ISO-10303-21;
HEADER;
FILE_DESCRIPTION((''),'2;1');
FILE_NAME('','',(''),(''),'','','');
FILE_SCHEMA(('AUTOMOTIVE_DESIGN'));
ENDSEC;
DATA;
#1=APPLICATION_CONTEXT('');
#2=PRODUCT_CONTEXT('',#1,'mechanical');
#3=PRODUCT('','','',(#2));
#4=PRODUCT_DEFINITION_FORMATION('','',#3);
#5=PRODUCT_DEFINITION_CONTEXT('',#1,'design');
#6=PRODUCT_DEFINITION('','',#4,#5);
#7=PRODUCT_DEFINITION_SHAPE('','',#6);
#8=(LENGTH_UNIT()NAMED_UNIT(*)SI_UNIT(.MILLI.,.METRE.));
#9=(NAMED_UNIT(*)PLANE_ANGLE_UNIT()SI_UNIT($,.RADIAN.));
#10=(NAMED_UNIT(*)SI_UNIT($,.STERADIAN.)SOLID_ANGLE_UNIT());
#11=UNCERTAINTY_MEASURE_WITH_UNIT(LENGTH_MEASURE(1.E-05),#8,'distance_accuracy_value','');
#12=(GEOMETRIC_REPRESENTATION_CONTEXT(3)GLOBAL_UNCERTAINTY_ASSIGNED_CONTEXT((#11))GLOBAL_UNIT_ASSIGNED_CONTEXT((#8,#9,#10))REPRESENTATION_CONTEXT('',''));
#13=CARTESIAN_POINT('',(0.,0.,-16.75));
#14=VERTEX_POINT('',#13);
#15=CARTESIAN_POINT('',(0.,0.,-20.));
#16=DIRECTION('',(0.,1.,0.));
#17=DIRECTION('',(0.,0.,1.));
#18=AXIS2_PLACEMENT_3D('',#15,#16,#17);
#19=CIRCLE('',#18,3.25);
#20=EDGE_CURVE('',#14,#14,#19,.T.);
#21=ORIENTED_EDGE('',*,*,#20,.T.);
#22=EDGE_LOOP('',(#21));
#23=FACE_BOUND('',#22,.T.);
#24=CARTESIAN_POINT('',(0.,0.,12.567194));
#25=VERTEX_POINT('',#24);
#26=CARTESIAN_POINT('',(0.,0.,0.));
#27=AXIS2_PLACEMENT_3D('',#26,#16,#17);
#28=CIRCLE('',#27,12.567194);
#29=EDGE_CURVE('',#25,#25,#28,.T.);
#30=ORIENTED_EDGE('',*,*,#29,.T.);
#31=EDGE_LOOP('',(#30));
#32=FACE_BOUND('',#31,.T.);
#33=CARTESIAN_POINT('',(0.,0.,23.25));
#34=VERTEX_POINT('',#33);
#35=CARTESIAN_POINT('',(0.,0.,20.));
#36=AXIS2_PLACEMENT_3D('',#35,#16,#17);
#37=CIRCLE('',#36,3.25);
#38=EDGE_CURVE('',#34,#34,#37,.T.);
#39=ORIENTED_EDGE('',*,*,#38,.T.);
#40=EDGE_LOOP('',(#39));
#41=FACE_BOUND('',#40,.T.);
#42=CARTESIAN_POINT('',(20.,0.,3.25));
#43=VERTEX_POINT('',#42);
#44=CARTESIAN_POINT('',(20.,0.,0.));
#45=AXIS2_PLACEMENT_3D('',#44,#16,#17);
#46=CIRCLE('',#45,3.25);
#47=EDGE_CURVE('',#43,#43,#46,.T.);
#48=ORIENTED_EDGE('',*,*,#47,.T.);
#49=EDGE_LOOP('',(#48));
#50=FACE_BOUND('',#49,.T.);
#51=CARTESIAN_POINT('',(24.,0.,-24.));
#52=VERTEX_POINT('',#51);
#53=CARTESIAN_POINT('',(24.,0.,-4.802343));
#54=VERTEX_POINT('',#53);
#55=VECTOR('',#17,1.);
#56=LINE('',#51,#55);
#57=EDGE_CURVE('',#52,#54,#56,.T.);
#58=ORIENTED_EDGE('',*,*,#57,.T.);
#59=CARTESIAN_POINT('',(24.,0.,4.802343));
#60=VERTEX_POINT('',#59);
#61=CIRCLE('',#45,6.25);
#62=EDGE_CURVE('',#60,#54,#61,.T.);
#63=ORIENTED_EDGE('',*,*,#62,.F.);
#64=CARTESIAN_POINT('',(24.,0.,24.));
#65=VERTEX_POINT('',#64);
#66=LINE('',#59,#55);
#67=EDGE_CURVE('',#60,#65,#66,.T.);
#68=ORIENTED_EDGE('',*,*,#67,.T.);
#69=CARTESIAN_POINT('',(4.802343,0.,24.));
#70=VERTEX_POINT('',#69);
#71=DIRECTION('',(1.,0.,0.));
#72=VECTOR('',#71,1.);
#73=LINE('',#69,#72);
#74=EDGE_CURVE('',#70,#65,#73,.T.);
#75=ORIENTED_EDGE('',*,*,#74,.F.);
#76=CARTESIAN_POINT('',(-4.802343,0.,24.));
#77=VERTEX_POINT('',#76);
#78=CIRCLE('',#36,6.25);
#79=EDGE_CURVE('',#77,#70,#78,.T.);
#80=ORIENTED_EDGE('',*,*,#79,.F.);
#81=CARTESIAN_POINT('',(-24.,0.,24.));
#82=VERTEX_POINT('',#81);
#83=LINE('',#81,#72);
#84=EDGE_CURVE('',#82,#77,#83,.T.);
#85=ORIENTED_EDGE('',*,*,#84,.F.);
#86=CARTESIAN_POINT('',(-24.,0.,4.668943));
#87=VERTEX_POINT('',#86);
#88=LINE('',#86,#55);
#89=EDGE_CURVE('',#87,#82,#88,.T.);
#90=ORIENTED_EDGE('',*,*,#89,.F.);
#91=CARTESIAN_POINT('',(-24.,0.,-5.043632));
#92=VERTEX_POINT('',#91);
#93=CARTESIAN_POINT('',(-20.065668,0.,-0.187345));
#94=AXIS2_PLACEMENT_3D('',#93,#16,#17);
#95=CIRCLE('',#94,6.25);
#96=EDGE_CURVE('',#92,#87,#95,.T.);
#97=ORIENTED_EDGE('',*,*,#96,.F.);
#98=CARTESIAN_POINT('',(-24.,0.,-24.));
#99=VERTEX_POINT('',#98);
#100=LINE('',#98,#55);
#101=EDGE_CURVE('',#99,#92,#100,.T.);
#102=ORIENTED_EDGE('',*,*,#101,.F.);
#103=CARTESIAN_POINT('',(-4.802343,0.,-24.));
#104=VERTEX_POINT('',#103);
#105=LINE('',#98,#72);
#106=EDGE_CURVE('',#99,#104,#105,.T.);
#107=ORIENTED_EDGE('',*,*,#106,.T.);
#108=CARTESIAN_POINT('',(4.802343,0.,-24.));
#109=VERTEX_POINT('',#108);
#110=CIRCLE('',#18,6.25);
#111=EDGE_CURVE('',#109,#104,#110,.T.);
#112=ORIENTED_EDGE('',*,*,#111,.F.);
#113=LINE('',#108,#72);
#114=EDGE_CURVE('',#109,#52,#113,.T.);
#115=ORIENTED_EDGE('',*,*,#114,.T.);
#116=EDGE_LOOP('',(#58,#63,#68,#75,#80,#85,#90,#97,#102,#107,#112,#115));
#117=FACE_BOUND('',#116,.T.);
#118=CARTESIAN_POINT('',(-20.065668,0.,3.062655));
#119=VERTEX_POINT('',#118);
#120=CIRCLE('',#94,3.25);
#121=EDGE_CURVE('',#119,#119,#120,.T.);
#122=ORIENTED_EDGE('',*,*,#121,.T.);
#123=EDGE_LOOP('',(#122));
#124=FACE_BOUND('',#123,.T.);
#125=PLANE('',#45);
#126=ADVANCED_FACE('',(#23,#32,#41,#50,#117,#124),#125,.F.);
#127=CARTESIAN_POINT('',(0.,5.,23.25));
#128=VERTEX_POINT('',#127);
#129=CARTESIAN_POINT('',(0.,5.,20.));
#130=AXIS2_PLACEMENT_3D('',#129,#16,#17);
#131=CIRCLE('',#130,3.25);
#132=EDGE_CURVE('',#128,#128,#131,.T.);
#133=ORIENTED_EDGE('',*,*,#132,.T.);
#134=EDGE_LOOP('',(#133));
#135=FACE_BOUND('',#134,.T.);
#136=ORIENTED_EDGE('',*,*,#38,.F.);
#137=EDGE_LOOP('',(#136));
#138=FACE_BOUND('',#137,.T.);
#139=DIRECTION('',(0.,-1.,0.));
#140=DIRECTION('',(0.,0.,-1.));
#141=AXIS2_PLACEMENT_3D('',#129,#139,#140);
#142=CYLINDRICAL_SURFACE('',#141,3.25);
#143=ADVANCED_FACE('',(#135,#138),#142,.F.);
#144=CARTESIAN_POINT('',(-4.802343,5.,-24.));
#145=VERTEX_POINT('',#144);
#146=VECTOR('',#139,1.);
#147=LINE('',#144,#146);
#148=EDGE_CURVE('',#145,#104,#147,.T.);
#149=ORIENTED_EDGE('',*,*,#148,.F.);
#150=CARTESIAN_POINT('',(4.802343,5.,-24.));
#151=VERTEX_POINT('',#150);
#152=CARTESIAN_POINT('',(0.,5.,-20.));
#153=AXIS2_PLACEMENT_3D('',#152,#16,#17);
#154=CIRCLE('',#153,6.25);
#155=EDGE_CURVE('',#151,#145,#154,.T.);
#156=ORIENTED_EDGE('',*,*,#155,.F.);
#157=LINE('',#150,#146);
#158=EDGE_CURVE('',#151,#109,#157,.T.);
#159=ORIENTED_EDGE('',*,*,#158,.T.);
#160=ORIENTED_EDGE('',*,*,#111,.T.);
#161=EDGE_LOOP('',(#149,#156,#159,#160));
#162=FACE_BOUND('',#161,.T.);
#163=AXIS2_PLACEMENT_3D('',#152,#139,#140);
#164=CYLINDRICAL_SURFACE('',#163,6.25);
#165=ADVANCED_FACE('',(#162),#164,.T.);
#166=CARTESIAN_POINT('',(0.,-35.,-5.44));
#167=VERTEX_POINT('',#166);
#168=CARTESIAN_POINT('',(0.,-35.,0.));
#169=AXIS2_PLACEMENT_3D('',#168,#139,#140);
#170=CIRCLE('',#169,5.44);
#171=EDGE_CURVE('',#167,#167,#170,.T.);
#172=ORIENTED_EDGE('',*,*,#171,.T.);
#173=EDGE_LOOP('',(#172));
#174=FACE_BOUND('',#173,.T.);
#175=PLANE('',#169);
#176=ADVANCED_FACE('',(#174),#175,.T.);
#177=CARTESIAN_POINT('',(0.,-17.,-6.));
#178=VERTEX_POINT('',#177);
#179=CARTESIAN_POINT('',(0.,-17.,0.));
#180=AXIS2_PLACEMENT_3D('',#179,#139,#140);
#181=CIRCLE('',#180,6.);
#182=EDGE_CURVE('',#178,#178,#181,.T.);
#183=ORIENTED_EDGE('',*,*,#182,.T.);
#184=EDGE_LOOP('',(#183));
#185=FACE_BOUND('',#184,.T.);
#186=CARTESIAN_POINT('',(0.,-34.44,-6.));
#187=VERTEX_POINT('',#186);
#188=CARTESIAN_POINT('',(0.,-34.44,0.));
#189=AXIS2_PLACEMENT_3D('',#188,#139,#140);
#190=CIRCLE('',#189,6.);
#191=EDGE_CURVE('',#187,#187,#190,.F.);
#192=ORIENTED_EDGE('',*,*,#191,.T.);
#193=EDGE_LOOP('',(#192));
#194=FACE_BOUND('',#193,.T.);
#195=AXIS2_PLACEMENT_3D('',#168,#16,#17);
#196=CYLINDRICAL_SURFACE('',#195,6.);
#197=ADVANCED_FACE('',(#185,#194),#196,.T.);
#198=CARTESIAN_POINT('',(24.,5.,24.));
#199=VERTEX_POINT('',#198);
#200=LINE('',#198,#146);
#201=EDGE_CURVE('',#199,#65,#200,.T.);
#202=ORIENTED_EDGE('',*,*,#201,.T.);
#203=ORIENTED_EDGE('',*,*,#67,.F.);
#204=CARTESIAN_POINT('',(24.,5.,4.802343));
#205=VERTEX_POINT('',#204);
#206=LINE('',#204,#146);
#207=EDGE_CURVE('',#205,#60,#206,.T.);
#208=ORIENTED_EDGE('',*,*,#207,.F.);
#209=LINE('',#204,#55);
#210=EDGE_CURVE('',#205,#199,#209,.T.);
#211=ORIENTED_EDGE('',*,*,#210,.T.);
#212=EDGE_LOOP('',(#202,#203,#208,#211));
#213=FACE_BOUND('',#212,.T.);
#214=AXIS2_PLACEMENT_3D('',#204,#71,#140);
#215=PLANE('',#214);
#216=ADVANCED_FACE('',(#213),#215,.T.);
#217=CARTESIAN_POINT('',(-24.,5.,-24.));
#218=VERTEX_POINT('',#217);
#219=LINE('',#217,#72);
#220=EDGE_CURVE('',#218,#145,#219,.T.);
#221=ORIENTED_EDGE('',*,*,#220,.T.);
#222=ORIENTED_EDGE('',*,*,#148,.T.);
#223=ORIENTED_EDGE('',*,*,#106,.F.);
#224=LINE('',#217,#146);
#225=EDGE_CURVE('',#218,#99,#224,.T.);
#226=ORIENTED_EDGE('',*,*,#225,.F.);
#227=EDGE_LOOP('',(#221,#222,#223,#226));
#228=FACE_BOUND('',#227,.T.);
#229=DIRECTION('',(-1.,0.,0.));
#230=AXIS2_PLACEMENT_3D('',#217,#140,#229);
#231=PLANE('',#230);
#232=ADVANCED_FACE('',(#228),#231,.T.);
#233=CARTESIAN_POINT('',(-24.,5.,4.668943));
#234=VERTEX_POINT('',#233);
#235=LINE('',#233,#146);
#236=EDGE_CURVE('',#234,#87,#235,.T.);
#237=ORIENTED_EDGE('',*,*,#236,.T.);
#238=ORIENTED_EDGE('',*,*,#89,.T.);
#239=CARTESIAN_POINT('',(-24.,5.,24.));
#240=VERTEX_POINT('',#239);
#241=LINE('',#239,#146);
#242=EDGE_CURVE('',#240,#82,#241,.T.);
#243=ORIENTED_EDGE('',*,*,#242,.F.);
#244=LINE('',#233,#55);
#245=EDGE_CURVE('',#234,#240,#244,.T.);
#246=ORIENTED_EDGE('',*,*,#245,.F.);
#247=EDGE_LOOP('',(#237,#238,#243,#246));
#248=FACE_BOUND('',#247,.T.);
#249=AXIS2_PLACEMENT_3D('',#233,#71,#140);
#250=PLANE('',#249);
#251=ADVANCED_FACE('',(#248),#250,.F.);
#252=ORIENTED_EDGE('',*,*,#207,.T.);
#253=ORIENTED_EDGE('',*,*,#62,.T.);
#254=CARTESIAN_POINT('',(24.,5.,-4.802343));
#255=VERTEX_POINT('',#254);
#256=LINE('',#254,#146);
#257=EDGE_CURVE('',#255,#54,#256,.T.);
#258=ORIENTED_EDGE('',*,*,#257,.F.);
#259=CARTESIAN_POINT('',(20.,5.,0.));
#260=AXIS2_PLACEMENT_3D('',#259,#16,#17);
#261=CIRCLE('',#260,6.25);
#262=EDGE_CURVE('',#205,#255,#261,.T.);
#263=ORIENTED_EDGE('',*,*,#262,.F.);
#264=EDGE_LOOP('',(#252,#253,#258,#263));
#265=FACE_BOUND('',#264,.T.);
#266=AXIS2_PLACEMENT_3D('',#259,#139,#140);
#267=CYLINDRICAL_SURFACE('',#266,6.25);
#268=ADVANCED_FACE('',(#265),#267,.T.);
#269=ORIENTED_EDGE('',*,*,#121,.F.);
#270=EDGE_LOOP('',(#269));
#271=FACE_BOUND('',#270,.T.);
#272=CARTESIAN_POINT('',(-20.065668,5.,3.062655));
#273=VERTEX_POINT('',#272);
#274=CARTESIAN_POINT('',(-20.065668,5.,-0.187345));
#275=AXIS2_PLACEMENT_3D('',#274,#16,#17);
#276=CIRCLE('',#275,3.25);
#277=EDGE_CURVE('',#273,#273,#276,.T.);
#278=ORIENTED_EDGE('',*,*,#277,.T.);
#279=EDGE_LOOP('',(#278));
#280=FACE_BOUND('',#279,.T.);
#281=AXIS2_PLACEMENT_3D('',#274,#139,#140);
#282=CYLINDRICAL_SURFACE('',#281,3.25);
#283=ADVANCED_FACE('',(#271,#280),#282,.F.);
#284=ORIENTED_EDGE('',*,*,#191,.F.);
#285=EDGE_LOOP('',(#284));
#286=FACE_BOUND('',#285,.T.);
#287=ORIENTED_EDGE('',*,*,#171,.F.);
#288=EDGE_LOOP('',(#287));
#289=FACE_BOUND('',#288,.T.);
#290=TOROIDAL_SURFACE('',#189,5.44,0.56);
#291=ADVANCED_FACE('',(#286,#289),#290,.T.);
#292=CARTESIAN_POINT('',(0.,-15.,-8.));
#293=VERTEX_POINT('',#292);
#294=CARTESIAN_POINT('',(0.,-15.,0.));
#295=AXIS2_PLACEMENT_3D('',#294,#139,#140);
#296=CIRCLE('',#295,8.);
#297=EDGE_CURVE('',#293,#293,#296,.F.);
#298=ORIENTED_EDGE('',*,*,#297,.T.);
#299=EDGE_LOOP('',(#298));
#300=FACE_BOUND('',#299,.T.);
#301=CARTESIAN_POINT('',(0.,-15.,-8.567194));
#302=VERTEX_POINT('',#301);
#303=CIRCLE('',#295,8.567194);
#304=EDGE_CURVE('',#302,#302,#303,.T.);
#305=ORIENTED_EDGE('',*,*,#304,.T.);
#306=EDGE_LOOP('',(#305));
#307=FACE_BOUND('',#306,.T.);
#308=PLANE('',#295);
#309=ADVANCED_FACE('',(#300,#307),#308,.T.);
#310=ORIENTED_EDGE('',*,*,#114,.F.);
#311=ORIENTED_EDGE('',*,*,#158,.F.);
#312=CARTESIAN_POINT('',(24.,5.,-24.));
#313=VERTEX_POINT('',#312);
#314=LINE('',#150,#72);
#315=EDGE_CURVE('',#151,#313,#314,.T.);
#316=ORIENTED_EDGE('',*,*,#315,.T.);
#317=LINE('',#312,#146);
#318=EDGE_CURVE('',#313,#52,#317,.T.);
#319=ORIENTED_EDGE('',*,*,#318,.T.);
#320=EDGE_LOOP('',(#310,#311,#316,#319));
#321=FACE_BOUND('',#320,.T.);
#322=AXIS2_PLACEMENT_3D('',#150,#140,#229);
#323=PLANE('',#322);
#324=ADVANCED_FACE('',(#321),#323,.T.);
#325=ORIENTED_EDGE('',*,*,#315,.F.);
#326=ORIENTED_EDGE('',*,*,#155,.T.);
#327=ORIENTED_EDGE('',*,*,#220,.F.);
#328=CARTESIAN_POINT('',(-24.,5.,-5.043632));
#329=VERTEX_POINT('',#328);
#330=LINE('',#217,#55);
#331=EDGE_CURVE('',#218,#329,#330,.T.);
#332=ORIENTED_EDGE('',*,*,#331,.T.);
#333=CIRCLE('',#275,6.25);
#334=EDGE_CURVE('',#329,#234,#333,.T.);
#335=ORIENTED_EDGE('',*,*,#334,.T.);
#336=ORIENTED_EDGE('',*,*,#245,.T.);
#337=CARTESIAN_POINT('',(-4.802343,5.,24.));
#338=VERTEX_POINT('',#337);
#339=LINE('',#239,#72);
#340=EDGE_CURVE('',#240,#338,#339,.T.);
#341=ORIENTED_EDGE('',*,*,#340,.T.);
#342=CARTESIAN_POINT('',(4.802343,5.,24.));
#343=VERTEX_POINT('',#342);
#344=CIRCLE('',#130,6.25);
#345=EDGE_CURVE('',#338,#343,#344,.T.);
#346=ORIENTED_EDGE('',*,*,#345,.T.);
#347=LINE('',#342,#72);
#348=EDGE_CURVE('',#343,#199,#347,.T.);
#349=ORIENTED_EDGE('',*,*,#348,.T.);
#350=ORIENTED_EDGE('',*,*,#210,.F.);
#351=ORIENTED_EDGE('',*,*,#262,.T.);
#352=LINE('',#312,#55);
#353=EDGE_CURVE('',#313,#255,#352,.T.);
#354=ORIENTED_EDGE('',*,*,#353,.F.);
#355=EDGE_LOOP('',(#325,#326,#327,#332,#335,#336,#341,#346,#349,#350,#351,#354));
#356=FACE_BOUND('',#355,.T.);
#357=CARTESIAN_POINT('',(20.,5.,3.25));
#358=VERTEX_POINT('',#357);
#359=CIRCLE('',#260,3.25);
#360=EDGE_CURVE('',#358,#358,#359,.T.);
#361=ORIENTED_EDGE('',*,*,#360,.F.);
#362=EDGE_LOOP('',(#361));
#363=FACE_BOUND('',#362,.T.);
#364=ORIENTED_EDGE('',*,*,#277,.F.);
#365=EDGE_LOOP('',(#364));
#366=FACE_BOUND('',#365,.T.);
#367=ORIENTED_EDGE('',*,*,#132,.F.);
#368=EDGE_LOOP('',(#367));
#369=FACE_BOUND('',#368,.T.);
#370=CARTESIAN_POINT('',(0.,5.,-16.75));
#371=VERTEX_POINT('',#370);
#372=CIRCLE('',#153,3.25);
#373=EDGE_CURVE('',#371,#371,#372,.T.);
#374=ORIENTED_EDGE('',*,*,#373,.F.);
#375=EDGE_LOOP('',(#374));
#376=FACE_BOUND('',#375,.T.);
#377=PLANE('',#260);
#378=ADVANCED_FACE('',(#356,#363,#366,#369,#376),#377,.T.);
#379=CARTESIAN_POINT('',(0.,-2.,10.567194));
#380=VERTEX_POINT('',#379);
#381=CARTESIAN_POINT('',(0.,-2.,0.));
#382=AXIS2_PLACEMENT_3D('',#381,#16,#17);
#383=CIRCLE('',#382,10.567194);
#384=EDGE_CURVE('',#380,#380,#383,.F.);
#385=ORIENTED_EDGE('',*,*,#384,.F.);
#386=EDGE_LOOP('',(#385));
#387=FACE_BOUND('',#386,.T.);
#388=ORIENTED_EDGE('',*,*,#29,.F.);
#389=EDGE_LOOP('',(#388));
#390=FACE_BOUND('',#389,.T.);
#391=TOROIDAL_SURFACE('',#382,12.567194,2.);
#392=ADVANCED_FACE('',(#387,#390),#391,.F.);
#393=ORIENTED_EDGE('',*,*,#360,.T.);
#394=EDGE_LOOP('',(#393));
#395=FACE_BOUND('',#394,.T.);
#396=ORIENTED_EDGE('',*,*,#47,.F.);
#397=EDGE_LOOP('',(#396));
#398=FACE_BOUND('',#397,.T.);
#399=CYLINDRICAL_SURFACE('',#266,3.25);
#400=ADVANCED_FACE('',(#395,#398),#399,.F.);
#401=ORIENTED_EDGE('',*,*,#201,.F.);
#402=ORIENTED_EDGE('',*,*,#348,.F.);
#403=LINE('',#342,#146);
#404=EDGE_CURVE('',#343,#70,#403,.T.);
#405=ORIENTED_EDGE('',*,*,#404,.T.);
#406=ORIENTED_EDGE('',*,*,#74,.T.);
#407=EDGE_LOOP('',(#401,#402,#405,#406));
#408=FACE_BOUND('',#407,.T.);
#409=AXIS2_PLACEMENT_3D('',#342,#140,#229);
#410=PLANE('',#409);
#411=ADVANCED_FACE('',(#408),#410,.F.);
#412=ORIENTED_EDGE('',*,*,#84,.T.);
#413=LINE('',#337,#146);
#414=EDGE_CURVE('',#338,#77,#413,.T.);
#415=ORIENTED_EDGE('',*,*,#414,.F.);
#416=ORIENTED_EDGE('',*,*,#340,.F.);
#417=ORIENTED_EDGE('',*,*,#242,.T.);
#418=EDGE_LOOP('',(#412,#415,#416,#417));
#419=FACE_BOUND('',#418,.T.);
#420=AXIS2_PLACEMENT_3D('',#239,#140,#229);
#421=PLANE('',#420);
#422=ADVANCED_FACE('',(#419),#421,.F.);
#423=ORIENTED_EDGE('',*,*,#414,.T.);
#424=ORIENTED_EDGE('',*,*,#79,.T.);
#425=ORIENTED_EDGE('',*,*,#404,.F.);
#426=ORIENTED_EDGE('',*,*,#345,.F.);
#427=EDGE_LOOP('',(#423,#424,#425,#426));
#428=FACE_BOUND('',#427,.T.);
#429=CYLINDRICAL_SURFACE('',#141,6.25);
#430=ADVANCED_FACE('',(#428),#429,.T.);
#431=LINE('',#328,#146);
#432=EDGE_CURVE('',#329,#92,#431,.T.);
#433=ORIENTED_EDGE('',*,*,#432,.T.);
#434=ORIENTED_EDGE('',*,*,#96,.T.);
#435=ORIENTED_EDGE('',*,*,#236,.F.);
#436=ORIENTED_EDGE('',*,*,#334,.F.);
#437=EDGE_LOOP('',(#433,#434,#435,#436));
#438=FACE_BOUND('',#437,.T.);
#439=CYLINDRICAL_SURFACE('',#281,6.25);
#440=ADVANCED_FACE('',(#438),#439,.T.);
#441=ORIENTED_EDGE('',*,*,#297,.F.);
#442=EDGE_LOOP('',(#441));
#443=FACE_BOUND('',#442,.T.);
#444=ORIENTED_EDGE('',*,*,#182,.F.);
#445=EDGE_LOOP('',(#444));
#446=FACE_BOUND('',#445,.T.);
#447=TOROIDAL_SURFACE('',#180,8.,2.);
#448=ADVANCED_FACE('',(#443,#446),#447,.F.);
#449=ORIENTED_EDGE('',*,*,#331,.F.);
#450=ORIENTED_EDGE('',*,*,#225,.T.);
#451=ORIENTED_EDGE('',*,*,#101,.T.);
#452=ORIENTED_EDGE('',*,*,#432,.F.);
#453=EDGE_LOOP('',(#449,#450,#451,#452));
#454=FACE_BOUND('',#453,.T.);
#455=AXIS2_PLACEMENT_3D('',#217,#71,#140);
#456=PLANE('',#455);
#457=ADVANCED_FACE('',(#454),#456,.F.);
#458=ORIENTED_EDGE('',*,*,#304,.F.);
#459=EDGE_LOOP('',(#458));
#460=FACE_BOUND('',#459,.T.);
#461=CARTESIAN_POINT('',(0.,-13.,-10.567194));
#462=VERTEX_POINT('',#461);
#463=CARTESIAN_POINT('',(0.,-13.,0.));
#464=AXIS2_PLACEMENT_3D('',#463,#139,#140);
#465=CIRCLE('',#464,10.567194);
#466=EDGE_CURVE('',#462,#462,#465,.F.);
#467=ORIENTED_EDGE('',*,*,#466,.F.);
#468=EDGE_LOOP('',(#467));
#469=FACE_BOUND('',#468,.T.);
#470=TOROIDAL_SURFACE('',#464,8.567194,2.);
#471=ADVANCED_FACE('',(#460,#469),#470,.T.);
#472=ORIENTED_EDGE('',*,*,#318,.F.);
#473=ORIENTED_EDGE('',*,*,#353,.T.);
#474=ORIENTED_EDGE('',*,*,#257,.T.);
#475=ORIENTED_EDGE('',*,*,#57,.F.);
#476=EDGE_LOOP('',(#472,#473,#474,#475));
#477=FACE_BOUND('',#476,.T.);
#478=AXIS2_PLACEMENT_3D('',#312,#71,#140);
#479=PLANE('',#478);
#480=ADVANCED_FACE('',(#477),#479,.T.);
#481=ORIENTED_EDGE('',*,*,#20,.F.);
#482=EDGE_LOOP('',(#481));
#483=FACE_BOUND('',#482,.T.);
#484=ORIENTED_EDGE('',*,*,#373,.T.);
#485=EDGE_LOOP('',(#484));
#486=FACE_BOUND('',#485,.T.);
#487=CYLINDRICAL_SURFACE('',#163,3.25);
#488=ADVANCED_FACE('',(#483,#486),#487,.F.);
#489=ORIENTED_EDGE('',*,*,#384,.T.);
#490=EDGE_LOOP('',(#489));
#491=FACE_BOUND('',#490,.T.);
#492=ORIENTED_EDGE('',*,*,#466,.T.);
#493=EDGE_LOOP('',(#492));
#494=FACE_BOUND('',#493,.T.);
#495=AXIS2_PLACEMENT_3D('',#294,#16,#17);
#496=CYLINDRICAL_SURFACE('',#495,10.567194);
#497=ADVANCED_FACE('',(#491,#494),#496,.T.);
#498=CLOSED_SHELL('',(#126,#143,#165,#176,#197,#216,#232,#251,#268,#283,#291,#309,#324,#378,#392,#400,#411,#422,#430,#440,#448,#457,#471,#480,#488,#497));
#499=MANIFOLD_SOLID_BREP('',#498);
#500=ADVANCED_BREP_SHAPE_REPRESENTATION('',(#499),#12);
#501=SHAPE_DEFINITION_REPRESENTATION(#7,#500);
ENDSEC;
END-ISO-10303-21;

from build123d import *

# Parameters (mm, degrees)
SKETCH1_R           = 3.25
BOSS_EXTRUDE1_DEPTH = 5
SKETCH2_W           = 32.64938716
SKETCH2_H           = 32.90693226
BOSS_EXTRUDE2_DEPTH = 5
SKETCH3_R           = 10.567193536
BOSS_EXTRUDE3_DEPTH = 15
SKETCH4_R           = 6
BOSS_EXTRUDE4_DEPTH = 20
FILLET1_R           = 2
FILLET2_R           = 0.56


with BuildPart() as part:
    # Sketch1 → Boss-Extrude1 (new body)
    with BuildSketch(Plane(origin=(0, 0, 0), x_dir=(1, 0, 0), z_dir=(0, 1, 0))):
        with BuildLine():
            Line((-24, -4.668943148), (-24, -24))
            Line((-24, -24), (-4.802343178, -24))
            ThreePointArc((-4.802343178, -24), (0, -26.25), (4.802343178, -24))
            Line((4.802343178, -24), (24, -24))
            Line((24, -24), (24, -4.802343178))
            ThreePointArc((24, -4.802343178), (26.25, 0), (24, 4.802343178))
            Line((24, 4.802343178), (24, 24))
            Line((24, 24), (4.802343178, 24))
            ThreePointArc((4.802343178, 24), (0, 26.25), (-4.802343178, 24))
            Line((-4.802343178, 24), (-24, 24))
            Line((-24, 24), (-24, 5.04363247))
            ThreePointArc((-24, 5.04363247), (-26.315667945, 0.187344661), (-24, -4.668943148))
        make_face()
        with Locations(Location((-20.065667945, 0.187344661, 0), (0, 0, 270))):
            Circle(SKETCH1_R, mode=Mode.SUBTRACT)
        with Locations(Location((0, 20, 0), (0, 0, 270))):
            Circle(SKETCH1_R, mode=Mode.SUBTRACT)
        with Locations(Location((20, 0, 0), (0, 0, 270))):
            Circle(SKETCH1_R, mode=Mode.SUBTRACT)
        with Locations(Location((0, -20, 0), (0, 0, 270))):
            Circle(SKETCH1_R, mode=Mode.SUBTRACT)
        with BuildLine():
            Line((-16, 16), (-4.802343178, 16))
            ThreePointArc((-4.802343178, 16), (0, 13.75), (4.802343178, 16))
            Line((4.802343178, 16), (16, 16))
            Line((16, 16), (16, 4.802343178))
            ThreePointArc((16, 4.802343178), (13.75, 0), (16, -4.802343178))
            Line((16, -4.802343178), (16, -16))
            Line((16, -16), (4.802343178, -16))
            ThreePointArc((4.802343178, -16), (0, -13.75), (-4.802343178, -16))
            Line((-4.802343178, -16), (-16, -16))
            Line((-16, -16), (-16, -4.559532645))
            ThreePointArc((-16, -4.559532645), (-13.815667945, 0.187344661), (-16, 4.934221967))
            Line((-16, 4.934221967), (-16, 16))
        make_face(mode=Mode.SUBTRACT)
    extrude(amount=BOSS_EXTRUDE1_DEPTH)

    # Sketch2 → Boss-Extrude2 (add)
    with BuildSketch(Plane.XZ):
        Rectangle(SKETCH2_W, SKETCH2_H)
    extrude(amount=-BOSS_EXTRUDE2_DEPTH)

    # Sketch3 → Boss-Extrude3 (add)
    with BuildSketch(Plane(origin=(0, 0, 0), x_dir=(-1, 0, 0), z_dir=(0, -1, 0))):
        with Locations(Location((0, 0, 0), (0, 0, 270))):
            Circle(SKETCH3_R)
    extrude(amount=BOSS_EXTRUDE3_DEPTH)

    # Sketch4 → Boss-Extrude4 (add)
    with BuildSketch(Plane(origin=(0, -15, 0), x_dir=(-1, 0, 0), z_dir=(0, -1, 0))):
        with Locations(Location((0, 0, 0), (0, 0, 90))):
            Circle(SKETCH4_R)
    extrude(amount=BOSS_EXTRUDE4_DEPTH)

    # Fillet1
    fillet1_edges = [part.edges().sort_by_distance(p)[0] for p in [
        (0, 0, -10.567193536),
        (0, -15, -10.567193536),
        (0, -15, 6),
    ]]
    fillet(fillet1_edges, radius=FILLET1_R)

    # Fillet2
    fillet2_edges = [part.edges().sort_by_distance(p)[0] for p in [
        (0, -35, 6),
    ]]
    fillet(fillet2_edges, radius=FILLET2_R)


solid = part.part
